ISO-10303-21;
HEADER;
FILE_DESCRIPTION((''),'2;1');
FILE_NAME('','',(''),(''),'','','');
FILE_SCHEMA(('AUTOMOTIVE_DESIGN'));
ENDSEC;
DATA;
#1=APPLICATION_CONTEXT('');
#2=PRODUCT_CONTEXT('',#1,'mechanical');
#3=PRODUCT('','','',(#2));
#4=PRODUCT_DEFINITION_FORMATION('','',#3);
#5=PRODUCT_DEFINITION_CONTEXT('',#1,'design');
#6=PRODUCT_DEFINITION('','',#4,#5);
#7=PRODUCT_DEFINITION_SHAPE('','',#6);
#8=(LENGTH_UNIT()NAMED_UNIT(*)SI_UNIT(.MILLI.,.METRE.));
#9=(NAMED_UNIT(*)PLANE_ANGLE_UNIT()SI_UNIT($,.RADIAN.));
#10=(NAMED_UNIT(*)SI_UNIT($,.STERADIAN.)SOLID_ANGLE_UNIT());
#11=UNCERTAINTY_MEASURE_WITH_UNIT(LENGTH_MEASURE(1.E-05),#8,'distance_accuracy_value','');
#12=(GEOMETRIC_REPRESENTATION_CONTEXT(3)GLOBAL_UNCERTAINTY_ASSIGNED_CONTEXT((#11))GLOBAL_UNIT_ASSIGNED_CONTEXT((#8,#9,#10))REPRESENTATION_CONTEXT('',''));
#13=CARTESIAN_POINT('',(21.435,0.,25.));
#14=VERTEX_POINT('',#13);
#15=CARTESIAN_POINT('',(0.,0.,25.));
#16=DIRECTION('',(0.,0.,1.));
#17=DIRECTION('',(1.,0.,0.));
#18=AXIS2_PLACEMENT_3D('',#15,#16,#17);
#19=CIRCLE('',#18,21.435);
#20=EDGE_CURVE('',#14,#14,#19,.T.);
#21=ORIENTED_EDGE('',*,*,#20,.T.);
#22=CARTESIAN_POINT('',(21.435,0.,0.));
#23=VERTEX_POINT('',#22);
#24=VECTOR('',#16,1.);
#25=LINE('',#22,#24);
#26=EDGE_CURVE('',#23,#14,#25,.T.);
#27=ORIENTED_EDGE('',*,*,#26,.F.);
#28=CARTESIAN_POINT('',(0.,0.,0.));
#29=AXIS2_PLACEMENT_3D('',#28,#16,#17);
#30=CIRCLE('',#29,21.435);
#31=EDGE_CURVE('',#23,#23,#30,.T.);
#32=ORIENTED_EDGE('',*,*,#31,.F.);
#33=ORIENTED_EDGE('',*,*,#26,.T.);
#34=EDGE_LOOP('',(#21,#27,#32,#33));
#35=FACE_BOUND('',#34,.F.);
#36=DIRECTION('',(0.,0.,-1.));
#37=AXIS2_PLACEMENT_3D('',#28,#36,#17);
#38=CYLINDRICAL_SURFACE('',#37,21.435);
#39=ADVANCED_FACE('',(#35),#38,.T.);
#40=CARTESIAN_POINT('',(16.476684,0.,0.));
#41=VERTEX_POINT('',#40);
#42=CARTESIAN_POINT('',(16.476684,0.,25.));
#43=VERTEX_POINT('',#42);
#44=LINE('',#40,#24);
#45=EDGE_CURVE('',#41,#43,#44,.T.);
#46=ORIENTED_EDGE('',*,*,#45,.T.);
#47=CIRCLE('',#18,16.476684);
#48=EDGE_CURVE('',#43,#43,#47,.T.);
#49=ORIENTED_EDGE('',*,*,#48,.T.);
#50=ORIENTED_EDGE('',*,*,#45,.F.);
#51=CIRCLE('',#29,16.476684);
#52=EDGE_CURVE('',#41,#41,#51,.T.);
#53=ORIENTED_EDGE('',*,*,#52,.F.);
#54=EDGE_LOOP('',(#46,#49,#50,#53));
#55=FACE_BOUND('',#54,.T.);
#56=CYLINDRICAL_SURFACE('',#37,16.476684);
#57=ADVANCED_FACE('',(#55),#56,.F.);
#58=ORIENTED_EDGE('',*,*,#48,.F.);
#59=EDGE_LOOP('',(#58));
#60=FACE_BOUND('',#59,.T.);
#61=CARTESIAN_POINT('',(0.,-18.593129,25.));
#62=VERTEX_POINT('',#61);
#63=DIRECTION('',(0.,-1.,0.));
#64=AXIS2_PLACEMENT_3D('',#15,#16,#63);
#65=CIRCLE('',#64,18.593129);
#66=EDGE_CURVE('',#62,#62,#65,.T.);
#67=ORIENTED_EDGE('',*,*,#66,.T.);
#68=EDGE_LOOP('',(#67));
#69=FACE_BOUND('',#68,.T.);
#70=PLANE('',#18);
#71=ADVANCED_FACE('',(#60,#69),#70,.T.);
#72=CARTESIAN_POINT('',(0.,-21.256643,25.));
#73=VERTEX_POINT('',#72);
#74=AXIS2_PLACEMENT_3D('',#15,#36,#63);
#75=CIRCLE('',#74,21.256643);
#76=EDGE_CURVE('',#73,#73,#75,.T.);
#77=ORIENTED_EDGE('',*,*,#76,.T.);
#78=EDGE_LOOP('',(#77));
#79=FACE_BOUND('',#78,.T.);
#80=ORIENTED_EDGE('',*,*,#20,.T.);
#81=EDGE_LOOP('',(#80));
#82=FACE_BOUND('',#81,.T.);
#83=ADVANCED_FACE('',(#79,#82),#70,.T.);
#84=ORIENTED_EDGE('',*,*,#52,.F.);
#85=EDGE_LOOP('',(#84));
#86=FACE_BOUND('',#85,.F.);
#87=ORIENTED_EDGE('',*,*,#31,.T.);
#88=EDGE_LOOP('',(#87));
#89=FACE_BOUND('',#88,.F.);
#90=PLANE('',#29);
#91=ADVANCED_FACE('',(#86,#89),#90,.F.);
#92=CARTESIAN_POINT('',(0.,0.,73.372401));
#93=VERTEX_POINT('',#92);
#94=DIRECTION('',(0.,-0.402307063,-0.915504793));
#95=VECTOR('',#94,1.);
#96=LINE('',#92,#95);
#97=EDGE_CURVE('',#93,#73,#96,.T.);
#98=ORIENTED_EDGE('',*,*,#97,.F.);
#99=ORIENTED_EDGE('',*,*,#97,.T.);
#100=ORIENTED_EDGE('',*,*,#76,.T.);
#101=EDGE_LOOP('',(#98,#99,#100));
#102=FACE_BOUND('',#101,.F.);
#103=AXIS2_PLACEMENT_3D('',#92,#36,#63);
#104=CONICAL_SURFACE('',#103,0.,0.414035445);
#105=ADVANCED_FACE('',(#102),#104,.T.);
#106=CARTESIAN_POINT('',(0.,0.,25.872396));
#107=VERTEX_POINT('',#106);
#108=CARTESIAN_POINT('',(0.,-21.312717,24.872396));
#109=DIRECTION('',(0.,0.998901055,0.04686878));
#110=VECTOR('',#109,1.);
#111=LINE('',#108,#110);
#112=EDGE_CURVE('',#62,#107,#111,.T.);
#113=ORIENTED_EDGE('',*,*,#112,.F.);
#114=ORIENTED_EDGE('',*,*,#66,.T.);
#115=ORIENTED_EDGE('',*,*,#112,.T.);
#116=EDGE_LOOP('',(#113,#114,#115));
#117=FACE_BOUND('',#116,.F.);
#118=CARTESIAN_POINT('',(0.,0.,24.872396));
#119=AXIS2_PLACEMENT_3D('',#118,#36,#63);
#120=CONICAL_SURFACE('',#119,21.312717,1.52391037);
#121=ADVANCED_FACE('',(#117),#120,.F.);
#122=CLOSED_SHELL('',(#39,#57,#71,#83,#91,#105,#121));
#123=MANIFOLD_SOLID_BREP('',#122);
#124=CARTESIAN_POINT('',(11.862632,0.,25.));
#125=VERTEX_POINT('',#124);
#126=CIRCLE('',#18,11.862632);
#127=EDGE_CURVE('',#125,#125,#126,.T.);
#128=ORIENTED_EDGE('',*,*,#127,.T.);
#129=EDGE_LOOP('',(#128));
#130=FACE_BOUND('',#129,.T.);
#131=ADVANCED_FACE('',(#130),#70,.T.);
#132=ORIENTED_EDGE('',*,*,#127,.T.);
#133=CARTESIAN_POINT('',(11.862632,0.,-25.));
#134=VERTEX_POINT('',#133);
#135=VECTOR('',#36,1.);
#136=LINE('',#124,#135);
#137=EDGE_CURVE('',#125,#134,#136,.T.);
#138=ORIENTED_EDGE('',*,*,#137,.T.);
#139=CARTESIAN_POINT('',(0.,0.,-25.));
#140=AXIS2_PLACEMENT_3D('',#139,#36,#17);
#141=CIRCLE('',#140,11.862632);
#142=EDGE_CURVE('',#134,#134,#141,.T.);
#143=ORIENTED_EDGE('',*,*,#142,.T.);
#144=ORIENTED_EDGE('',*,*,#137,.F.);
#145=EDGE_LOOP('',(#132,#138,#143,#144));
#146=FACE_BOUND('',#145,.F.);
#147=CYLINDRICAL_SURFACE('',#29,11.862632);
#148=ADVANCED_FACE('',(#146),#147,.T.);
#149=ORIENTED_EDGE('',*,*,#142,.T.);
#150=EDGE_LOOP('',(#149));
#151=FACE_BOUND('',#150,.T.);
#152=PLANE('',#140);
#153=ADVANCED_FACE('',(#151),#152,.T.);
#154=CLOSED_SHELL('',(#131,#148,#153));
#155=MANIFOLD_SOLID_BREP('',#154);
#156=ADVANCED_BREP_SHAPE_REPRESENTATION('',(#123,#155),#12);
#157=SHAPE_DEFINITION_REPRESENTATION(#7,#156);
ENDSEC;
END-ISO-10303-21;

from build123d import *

# Parameters (mm, degrees)
F0_R      = 21.435
F0_R_2    = 19.35
F1_DEPTH  = 25
F4_R      = 19.35
F4_R_2    = 16.476684
F5_DEPTH  = 25
F6_R      = 11.862632
F7_DEPTH  = 25
F7_FACE_R = 11.862632
F8_DEPTH  = 25


with BuildPart() as f1:
    # F0 (on Top) → F1 (new body)
    with BuildSketch(Plane.XY):
        Circle(F0_R)
        Circle(F0_R_2, mode=Mode.SUBTRACT)
    extrude(amount=F1_DEPTH)

    # F2 (on Right) → F3 (revolve)
    with BuildSketch(Plane.YZ):
        Polygon((0, 73.372401), (-21.312717, 24.872396), (0, 25.872396), align=None)
    revolve(axis=Axis((0, 0, 6.186198), (0, 0, 1)))

    # F4 (on Top) → F5 (join)
    with BuildSketch(Plane.XY):
        Circle(F4_R)
        Circle(F4_R_2, mode=Mode.SUBTRACT)
    extrude(amount=F5_DEPTH)


with BuildPart() as f7:
    # F6 (on Top) → F7 (new body)
    with BuildSketch(Plane.XY):
        Circle(F6_R)
    extrude(amount=F7_DEPTH)

    # F7_face (on face) → F8 (join)
    with BuildSketch(Plane(origin=(0, 0, 0), x_dir=(1, 0, 0), z_dir=(0, 0, -1))):
        Circle(F7_FACE_R)
    extrude(amount=F8_DEPTH)


solid = Compound([f1.part, f7.part])
